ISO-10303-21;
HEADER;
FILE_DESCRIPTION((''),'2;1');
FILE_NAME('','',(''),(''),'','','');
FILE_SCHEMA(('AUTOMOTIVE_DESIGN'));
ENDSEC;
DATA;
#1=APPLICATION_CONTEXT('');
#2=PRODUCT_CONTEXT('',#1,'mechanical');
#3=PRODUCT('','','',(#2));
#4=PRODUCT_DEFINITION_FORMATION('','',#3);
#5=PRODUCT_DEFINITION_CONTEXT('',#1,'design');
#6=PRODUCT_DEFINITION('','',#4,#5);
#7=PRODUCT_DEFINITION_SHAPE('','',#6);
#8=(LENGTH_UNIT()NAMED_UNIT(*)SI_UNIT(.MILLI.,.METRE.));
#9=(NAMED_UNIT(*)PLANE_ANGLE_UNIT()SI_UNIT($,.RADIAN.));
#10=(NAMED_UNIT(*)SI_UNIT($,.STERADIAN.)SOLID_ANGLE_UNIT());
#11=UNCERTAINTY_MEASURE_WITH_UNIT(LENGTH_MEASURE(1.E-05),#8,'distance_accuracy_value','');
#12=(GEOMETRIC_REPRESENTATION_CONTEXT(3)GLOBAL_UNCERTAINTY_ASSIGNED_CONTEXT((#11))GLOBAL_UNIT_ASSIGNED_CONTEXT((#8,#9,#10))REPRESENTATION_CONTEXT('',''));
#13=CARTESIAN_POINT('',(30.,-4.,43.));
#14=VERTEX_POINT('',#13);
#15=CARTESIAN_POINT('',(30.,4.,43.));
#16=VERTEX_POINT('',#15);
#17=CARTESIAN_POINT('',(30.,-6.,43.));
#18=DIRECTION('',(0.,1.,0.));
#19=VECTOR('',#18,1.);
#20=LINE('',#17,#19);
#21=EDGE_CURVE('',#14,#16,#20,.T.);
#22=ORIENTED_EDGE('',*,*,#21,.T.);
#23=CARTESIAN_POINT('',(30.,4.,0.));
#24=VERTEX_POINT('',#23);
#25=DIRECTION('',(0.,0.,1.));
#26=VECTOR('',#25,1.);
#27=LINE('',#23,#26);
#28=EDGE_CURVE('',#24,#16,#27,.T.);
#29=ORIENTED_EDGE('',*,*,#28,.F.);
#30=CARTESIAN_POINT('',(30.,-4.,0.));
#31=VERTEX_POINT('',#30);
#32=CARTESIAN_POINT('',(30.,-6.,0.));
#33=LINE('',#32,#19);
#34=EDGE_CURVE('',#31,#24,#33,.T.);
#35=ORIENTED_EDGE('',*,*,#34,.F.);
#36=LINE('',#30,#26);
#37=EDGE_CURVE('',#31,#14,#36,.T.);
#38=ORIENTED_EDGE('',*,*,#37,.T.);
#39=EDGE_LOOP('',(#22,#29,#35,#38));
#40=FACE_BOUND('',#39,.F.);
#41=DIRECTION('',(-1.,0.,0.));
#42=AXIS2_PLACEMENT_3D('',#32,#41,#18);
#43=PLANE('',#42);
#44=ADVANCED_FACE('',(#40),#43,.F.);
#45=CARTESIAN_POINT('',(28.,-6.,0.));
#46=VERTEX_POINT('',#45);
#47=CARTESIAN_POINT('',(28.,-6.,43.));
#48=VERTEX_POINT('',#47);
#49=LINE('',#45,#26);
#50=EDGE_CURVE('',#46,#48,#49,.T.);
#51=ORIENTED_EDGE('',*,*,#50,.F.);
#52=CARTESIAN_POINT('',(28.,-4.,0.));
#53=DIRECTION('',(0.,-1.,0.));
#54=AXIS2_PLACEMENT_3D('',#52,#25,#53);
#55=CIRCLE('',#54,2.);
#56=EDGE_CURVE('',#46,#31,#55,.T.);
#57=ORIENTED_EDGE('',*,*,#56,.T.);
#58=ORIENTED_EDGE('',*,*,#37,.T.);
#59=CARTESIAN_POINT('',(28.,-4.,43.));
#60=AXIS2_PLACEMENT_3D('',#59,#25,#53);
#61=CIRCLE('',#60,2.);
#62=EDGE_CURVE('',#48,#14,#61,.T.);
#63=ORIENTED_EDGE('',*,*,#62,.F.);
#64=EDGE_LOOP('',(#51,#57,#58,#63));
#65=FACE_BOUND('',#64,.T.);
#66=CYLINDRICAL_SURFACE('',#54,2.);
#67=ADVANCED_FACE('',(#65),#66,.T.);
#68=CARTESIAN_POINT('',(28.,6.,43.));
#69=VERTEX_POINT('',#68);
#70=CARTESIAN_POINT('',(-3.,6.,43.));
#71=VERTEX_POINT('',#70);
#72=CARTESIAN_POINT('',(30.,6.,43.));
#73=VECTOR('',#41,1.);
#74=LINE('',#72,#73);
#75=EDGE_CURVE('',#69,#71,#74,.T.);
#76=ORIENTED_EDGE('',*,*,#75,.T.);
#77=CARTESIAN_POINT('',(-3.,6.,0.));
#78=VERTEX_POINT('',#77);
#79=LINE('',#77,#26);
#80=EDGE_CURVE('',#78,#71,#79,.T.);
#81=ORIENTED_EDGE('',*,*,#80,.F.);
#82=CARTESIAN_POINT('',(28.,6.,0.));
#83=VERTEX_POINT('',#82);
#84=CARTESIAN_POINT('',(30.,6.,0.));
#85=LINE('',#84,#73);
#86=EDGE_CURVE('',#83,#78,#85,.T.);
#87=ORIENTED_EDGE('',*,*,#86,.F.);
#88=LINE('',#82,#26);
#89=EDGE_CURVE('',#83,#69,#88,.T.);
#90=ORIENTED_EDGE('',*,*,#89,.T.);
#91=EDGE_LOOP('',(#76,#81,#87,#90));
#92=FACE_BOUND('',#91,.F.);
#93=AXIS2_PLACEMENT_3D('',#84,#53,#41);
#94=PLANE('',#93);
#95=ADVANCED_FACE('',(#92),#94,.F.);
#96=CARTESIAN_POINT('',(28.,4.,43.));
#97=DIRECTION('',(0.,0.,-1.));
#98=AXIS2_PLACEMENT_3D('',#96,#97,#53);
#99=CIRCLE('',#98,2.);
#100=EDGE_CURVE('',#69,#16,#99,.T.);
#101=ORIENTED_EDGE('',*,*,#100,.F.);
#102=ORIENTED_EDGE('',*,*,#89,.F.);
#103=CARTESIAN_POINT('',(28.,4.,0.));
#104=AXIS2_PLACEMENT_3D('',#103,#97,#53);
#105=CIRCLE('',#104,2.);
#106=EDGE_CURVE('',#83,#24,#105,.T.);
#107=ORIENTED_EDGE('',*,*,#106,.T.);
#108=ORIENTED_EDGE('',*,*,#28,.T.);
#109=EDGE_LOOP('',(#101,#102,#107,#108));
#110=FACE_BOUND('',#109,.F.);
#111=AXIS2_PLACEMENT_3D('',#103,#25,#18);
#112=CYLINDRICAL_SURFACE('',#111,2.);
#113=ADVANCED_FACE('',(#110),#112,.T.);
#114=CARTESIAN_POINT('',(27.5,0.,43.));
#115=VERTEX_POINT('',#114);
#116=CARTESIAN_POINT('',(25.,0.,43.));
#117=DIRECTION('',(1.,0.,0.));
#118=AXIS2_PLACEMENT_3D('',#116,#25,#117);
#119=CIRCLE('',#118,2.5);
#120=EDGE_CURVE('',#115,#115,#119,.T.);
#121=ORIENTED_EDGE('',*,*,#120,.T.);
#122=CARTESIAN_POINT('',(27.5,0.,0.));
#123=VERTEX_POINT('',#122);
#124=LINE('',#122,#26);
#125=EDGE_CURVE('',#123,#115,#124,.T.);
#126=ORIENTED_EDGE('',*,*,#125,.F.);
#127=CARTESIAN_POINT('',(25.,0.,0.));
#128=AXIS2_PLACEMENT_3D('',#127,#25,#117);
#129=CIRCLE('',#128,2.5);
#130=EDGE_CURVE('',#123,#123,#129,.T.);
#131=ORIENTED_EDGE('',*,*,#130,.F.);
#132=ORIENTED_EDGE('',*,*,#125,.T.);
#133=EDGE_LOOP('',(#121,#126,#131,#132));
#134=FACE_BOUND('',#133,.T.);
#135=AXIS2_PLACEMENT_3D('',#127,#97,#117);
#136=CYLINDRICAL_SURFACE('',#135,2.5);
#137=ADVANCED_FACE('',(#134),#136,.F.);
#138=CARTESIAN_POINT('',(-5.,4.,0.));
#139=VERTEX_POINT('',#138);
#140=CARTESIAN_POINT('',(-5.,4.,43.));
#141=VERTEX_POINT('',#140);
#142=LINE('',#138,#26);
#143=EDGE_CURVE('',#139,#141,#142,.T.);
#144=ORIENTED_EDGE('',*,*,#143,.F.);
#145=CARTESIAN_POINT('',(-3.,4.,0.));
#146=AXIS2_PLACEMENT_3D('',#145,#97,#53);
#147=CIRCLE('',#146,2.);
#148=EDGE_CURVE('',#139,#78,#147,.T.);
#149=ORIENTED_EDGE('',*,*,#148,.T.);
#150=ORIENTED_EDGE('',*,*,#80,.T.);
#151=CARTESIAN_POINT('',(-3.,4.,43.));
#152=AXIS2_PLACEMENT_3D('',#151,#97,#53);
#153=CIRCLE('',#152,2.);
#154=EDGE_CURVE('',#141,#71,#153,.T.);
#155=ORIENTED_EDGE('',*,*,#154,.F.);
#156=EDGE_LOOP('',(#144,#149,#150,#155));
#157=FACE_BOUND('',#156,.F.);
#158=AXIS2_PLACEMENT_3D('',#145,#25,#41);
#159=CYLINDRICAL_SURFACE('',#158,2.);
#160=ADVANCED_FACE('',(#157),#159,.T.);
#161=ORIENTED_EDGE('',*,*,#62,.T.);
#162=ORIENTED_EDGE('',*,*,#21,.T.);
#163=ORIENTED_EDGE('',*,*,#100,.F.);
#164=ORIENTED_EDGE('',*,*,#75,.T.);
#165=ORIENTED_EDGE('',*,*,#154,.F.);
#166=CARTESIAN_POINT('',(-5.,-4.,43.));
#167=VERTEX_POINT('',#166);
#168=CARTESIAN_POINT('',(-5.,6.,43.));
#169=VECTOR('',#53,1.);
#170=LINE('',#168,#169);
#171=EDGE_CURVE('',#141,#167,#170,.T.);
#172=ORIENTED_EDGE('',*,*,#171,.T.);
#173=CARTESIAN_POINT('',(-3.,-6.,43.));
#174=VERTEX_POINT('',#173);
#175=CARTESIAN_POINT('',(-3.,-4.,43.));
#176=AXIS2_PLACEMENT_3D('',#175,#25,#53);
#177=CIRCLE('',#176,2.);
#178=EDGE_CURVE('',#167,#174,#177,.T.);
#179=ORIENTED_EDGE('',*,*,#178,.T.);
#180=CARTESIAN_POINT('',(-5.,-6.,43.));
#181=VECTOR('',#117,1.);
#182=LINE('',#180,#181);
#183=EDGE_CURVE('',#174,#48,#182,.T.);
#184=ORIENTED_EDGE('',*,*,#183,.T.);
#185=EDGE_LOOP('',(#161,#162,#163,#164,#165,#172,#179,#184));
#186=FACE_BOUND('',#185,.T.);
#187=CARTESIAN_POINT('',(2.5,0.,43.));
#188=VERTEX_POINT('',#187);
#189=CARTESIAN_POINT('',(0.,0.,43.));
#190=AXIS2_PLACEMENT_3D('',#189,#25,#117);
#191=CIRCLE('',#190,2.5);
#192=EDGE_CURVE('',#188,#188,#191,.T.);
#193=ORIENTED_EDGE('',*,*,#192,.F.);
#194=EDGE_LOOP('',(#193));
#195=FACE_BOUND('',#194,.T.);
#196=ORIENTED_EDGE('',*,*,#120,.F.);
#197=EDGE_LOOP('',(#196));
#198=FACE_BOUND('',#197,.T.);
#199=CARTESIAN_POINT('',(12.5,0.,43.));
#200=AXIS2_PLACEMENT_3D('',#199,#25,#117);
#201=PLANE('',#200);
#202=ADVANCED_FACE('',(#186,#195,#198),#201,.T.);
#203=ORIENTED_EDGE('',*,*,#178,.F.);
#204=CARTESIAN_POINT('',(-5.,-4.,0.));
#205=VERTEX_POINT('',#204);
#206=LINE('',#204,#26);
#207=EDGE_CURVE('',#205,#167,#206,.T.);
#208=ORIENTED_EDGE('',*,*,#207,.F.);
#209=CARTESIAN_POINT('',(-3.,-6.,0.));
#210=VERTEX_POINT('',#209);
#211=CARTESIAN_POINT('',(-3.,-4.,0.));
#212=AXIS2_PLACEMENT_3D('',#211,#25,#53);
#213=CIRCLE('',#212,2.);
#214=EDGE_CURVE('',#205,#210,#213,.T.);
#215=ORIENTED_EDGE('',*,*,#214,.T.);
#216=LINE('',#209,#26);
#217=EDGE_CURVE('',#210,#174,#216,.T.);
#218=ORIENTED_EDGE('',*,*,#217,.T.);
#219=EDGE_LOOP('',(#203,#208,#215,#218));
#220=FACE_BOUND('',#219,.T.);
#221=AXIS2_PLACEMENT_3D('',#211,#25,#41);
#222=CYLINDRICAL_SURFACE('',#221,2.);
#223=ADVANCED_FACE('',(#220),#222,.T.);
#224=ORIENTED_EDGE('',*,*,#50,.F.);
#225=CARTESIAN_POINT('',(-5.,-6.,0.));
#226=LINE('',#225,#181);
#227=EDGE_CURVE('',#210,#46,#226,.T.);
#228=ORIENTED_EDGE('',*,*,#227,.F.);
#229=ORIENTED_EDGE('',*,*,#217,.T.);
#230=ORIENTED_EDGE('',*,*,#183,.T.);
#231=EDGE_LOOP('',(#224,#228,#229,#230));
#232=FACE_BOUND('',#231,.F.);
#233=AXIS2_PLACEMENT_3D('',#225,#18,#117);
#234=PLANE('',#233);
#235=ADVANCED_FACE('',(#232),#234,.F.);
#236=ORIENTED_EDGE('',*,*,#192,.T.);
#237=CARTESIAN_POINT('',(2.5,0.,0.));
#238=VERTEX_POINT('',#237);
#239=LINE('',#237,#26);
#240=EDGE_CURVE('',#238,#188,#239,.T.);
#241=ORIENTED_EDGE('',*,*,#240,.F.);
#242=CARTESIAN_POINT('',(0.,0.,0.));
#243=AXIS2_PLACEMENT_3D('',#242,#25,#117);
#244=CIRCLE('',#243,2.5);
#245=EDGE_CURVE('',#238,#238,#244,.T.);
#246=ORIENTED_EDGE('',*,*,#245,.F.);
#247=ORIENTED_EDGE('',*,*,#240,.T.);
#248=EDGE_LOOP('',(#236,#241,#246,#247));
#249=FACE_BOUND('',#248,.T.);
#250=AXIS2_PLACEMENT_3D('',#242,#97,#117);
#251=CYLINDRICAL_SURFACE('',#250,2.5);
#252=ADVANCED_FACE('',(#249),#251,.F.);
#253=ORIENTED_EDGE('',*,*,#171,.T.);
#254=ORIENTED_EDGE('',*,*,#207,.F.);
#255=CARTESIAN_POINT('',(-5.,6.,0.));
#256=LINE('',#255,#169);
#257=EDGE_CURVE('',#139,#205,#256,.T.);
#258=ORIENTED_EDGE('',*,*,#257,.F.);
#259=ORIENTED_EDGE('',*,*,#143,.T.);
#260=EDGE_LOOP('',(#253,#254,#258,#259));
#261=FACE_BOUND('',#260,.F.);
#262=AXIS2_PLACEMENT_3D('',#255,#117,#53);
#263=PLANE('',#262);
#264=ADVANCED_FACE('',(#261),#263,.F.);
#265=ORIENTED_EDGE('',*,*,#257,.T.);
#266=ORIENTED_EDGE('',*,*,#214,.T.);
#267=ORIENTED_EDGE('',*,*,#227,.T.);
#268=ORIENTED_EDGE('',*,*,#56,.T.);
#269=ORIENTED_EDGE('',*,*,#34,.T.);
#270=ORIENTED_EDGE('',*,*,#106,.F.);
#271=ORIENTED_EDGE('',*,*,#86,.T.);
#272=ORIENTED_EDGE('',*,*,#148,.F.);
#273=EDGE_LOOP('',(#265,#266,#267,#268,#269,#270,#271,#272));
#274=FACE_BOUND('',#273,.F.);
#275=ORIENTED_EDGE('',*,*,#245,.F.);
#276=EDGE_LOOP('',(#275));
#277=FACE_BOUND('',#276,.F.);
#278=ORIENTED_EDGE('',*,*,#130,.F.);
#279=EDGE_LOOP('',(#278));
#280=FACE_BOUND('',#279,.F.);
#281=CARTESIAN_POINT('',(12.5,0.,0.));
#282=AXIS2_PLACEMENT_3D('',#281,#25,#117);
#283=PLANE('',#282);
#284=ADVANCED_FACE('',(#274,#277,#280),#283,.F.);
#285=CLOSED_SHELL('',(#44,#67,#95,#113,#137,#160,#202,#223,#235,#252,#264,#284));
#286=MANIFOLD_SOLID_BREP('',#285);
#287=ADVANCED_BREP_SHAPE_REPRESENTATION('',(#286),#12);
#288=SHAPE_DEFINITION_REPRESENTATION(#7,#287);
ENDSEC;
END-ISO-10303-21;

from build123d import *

# Parameters (mm, degrees)
F0_R     = 2.5
F1_DEPTH = 43
F2_R     = 2


with BuildPart() as f1:
    # F0 (on Top) → F1 (new body)
    with BuildSketch(Plane.XY):
        Polygon((25, 6), (0, 6), (-5, 6), (-5, 0), (-5, -6), (0, -6), (25, -6), (30, -6), (30, 0), (30, 6), align=None)
        Circle(F0_R, mode=Mode.SUBTRACT)
        with Locations((25, 0)):
            Circle(F0_R, mode=Mode.SUBTRACT)
    extrude(amount=F1_DEPTH)

    # F2
    f2_edges = [f1.edges().sort_by_distance(p)[0] for p in [
        (-5, -6, 21.5),
        (-5, 6, 21.5),
        (30, -6, 21.5),
        (30, 6, 21.5),
    ]]
    fillet(f2_edges, radius=F2_R)


solid = f1.part
